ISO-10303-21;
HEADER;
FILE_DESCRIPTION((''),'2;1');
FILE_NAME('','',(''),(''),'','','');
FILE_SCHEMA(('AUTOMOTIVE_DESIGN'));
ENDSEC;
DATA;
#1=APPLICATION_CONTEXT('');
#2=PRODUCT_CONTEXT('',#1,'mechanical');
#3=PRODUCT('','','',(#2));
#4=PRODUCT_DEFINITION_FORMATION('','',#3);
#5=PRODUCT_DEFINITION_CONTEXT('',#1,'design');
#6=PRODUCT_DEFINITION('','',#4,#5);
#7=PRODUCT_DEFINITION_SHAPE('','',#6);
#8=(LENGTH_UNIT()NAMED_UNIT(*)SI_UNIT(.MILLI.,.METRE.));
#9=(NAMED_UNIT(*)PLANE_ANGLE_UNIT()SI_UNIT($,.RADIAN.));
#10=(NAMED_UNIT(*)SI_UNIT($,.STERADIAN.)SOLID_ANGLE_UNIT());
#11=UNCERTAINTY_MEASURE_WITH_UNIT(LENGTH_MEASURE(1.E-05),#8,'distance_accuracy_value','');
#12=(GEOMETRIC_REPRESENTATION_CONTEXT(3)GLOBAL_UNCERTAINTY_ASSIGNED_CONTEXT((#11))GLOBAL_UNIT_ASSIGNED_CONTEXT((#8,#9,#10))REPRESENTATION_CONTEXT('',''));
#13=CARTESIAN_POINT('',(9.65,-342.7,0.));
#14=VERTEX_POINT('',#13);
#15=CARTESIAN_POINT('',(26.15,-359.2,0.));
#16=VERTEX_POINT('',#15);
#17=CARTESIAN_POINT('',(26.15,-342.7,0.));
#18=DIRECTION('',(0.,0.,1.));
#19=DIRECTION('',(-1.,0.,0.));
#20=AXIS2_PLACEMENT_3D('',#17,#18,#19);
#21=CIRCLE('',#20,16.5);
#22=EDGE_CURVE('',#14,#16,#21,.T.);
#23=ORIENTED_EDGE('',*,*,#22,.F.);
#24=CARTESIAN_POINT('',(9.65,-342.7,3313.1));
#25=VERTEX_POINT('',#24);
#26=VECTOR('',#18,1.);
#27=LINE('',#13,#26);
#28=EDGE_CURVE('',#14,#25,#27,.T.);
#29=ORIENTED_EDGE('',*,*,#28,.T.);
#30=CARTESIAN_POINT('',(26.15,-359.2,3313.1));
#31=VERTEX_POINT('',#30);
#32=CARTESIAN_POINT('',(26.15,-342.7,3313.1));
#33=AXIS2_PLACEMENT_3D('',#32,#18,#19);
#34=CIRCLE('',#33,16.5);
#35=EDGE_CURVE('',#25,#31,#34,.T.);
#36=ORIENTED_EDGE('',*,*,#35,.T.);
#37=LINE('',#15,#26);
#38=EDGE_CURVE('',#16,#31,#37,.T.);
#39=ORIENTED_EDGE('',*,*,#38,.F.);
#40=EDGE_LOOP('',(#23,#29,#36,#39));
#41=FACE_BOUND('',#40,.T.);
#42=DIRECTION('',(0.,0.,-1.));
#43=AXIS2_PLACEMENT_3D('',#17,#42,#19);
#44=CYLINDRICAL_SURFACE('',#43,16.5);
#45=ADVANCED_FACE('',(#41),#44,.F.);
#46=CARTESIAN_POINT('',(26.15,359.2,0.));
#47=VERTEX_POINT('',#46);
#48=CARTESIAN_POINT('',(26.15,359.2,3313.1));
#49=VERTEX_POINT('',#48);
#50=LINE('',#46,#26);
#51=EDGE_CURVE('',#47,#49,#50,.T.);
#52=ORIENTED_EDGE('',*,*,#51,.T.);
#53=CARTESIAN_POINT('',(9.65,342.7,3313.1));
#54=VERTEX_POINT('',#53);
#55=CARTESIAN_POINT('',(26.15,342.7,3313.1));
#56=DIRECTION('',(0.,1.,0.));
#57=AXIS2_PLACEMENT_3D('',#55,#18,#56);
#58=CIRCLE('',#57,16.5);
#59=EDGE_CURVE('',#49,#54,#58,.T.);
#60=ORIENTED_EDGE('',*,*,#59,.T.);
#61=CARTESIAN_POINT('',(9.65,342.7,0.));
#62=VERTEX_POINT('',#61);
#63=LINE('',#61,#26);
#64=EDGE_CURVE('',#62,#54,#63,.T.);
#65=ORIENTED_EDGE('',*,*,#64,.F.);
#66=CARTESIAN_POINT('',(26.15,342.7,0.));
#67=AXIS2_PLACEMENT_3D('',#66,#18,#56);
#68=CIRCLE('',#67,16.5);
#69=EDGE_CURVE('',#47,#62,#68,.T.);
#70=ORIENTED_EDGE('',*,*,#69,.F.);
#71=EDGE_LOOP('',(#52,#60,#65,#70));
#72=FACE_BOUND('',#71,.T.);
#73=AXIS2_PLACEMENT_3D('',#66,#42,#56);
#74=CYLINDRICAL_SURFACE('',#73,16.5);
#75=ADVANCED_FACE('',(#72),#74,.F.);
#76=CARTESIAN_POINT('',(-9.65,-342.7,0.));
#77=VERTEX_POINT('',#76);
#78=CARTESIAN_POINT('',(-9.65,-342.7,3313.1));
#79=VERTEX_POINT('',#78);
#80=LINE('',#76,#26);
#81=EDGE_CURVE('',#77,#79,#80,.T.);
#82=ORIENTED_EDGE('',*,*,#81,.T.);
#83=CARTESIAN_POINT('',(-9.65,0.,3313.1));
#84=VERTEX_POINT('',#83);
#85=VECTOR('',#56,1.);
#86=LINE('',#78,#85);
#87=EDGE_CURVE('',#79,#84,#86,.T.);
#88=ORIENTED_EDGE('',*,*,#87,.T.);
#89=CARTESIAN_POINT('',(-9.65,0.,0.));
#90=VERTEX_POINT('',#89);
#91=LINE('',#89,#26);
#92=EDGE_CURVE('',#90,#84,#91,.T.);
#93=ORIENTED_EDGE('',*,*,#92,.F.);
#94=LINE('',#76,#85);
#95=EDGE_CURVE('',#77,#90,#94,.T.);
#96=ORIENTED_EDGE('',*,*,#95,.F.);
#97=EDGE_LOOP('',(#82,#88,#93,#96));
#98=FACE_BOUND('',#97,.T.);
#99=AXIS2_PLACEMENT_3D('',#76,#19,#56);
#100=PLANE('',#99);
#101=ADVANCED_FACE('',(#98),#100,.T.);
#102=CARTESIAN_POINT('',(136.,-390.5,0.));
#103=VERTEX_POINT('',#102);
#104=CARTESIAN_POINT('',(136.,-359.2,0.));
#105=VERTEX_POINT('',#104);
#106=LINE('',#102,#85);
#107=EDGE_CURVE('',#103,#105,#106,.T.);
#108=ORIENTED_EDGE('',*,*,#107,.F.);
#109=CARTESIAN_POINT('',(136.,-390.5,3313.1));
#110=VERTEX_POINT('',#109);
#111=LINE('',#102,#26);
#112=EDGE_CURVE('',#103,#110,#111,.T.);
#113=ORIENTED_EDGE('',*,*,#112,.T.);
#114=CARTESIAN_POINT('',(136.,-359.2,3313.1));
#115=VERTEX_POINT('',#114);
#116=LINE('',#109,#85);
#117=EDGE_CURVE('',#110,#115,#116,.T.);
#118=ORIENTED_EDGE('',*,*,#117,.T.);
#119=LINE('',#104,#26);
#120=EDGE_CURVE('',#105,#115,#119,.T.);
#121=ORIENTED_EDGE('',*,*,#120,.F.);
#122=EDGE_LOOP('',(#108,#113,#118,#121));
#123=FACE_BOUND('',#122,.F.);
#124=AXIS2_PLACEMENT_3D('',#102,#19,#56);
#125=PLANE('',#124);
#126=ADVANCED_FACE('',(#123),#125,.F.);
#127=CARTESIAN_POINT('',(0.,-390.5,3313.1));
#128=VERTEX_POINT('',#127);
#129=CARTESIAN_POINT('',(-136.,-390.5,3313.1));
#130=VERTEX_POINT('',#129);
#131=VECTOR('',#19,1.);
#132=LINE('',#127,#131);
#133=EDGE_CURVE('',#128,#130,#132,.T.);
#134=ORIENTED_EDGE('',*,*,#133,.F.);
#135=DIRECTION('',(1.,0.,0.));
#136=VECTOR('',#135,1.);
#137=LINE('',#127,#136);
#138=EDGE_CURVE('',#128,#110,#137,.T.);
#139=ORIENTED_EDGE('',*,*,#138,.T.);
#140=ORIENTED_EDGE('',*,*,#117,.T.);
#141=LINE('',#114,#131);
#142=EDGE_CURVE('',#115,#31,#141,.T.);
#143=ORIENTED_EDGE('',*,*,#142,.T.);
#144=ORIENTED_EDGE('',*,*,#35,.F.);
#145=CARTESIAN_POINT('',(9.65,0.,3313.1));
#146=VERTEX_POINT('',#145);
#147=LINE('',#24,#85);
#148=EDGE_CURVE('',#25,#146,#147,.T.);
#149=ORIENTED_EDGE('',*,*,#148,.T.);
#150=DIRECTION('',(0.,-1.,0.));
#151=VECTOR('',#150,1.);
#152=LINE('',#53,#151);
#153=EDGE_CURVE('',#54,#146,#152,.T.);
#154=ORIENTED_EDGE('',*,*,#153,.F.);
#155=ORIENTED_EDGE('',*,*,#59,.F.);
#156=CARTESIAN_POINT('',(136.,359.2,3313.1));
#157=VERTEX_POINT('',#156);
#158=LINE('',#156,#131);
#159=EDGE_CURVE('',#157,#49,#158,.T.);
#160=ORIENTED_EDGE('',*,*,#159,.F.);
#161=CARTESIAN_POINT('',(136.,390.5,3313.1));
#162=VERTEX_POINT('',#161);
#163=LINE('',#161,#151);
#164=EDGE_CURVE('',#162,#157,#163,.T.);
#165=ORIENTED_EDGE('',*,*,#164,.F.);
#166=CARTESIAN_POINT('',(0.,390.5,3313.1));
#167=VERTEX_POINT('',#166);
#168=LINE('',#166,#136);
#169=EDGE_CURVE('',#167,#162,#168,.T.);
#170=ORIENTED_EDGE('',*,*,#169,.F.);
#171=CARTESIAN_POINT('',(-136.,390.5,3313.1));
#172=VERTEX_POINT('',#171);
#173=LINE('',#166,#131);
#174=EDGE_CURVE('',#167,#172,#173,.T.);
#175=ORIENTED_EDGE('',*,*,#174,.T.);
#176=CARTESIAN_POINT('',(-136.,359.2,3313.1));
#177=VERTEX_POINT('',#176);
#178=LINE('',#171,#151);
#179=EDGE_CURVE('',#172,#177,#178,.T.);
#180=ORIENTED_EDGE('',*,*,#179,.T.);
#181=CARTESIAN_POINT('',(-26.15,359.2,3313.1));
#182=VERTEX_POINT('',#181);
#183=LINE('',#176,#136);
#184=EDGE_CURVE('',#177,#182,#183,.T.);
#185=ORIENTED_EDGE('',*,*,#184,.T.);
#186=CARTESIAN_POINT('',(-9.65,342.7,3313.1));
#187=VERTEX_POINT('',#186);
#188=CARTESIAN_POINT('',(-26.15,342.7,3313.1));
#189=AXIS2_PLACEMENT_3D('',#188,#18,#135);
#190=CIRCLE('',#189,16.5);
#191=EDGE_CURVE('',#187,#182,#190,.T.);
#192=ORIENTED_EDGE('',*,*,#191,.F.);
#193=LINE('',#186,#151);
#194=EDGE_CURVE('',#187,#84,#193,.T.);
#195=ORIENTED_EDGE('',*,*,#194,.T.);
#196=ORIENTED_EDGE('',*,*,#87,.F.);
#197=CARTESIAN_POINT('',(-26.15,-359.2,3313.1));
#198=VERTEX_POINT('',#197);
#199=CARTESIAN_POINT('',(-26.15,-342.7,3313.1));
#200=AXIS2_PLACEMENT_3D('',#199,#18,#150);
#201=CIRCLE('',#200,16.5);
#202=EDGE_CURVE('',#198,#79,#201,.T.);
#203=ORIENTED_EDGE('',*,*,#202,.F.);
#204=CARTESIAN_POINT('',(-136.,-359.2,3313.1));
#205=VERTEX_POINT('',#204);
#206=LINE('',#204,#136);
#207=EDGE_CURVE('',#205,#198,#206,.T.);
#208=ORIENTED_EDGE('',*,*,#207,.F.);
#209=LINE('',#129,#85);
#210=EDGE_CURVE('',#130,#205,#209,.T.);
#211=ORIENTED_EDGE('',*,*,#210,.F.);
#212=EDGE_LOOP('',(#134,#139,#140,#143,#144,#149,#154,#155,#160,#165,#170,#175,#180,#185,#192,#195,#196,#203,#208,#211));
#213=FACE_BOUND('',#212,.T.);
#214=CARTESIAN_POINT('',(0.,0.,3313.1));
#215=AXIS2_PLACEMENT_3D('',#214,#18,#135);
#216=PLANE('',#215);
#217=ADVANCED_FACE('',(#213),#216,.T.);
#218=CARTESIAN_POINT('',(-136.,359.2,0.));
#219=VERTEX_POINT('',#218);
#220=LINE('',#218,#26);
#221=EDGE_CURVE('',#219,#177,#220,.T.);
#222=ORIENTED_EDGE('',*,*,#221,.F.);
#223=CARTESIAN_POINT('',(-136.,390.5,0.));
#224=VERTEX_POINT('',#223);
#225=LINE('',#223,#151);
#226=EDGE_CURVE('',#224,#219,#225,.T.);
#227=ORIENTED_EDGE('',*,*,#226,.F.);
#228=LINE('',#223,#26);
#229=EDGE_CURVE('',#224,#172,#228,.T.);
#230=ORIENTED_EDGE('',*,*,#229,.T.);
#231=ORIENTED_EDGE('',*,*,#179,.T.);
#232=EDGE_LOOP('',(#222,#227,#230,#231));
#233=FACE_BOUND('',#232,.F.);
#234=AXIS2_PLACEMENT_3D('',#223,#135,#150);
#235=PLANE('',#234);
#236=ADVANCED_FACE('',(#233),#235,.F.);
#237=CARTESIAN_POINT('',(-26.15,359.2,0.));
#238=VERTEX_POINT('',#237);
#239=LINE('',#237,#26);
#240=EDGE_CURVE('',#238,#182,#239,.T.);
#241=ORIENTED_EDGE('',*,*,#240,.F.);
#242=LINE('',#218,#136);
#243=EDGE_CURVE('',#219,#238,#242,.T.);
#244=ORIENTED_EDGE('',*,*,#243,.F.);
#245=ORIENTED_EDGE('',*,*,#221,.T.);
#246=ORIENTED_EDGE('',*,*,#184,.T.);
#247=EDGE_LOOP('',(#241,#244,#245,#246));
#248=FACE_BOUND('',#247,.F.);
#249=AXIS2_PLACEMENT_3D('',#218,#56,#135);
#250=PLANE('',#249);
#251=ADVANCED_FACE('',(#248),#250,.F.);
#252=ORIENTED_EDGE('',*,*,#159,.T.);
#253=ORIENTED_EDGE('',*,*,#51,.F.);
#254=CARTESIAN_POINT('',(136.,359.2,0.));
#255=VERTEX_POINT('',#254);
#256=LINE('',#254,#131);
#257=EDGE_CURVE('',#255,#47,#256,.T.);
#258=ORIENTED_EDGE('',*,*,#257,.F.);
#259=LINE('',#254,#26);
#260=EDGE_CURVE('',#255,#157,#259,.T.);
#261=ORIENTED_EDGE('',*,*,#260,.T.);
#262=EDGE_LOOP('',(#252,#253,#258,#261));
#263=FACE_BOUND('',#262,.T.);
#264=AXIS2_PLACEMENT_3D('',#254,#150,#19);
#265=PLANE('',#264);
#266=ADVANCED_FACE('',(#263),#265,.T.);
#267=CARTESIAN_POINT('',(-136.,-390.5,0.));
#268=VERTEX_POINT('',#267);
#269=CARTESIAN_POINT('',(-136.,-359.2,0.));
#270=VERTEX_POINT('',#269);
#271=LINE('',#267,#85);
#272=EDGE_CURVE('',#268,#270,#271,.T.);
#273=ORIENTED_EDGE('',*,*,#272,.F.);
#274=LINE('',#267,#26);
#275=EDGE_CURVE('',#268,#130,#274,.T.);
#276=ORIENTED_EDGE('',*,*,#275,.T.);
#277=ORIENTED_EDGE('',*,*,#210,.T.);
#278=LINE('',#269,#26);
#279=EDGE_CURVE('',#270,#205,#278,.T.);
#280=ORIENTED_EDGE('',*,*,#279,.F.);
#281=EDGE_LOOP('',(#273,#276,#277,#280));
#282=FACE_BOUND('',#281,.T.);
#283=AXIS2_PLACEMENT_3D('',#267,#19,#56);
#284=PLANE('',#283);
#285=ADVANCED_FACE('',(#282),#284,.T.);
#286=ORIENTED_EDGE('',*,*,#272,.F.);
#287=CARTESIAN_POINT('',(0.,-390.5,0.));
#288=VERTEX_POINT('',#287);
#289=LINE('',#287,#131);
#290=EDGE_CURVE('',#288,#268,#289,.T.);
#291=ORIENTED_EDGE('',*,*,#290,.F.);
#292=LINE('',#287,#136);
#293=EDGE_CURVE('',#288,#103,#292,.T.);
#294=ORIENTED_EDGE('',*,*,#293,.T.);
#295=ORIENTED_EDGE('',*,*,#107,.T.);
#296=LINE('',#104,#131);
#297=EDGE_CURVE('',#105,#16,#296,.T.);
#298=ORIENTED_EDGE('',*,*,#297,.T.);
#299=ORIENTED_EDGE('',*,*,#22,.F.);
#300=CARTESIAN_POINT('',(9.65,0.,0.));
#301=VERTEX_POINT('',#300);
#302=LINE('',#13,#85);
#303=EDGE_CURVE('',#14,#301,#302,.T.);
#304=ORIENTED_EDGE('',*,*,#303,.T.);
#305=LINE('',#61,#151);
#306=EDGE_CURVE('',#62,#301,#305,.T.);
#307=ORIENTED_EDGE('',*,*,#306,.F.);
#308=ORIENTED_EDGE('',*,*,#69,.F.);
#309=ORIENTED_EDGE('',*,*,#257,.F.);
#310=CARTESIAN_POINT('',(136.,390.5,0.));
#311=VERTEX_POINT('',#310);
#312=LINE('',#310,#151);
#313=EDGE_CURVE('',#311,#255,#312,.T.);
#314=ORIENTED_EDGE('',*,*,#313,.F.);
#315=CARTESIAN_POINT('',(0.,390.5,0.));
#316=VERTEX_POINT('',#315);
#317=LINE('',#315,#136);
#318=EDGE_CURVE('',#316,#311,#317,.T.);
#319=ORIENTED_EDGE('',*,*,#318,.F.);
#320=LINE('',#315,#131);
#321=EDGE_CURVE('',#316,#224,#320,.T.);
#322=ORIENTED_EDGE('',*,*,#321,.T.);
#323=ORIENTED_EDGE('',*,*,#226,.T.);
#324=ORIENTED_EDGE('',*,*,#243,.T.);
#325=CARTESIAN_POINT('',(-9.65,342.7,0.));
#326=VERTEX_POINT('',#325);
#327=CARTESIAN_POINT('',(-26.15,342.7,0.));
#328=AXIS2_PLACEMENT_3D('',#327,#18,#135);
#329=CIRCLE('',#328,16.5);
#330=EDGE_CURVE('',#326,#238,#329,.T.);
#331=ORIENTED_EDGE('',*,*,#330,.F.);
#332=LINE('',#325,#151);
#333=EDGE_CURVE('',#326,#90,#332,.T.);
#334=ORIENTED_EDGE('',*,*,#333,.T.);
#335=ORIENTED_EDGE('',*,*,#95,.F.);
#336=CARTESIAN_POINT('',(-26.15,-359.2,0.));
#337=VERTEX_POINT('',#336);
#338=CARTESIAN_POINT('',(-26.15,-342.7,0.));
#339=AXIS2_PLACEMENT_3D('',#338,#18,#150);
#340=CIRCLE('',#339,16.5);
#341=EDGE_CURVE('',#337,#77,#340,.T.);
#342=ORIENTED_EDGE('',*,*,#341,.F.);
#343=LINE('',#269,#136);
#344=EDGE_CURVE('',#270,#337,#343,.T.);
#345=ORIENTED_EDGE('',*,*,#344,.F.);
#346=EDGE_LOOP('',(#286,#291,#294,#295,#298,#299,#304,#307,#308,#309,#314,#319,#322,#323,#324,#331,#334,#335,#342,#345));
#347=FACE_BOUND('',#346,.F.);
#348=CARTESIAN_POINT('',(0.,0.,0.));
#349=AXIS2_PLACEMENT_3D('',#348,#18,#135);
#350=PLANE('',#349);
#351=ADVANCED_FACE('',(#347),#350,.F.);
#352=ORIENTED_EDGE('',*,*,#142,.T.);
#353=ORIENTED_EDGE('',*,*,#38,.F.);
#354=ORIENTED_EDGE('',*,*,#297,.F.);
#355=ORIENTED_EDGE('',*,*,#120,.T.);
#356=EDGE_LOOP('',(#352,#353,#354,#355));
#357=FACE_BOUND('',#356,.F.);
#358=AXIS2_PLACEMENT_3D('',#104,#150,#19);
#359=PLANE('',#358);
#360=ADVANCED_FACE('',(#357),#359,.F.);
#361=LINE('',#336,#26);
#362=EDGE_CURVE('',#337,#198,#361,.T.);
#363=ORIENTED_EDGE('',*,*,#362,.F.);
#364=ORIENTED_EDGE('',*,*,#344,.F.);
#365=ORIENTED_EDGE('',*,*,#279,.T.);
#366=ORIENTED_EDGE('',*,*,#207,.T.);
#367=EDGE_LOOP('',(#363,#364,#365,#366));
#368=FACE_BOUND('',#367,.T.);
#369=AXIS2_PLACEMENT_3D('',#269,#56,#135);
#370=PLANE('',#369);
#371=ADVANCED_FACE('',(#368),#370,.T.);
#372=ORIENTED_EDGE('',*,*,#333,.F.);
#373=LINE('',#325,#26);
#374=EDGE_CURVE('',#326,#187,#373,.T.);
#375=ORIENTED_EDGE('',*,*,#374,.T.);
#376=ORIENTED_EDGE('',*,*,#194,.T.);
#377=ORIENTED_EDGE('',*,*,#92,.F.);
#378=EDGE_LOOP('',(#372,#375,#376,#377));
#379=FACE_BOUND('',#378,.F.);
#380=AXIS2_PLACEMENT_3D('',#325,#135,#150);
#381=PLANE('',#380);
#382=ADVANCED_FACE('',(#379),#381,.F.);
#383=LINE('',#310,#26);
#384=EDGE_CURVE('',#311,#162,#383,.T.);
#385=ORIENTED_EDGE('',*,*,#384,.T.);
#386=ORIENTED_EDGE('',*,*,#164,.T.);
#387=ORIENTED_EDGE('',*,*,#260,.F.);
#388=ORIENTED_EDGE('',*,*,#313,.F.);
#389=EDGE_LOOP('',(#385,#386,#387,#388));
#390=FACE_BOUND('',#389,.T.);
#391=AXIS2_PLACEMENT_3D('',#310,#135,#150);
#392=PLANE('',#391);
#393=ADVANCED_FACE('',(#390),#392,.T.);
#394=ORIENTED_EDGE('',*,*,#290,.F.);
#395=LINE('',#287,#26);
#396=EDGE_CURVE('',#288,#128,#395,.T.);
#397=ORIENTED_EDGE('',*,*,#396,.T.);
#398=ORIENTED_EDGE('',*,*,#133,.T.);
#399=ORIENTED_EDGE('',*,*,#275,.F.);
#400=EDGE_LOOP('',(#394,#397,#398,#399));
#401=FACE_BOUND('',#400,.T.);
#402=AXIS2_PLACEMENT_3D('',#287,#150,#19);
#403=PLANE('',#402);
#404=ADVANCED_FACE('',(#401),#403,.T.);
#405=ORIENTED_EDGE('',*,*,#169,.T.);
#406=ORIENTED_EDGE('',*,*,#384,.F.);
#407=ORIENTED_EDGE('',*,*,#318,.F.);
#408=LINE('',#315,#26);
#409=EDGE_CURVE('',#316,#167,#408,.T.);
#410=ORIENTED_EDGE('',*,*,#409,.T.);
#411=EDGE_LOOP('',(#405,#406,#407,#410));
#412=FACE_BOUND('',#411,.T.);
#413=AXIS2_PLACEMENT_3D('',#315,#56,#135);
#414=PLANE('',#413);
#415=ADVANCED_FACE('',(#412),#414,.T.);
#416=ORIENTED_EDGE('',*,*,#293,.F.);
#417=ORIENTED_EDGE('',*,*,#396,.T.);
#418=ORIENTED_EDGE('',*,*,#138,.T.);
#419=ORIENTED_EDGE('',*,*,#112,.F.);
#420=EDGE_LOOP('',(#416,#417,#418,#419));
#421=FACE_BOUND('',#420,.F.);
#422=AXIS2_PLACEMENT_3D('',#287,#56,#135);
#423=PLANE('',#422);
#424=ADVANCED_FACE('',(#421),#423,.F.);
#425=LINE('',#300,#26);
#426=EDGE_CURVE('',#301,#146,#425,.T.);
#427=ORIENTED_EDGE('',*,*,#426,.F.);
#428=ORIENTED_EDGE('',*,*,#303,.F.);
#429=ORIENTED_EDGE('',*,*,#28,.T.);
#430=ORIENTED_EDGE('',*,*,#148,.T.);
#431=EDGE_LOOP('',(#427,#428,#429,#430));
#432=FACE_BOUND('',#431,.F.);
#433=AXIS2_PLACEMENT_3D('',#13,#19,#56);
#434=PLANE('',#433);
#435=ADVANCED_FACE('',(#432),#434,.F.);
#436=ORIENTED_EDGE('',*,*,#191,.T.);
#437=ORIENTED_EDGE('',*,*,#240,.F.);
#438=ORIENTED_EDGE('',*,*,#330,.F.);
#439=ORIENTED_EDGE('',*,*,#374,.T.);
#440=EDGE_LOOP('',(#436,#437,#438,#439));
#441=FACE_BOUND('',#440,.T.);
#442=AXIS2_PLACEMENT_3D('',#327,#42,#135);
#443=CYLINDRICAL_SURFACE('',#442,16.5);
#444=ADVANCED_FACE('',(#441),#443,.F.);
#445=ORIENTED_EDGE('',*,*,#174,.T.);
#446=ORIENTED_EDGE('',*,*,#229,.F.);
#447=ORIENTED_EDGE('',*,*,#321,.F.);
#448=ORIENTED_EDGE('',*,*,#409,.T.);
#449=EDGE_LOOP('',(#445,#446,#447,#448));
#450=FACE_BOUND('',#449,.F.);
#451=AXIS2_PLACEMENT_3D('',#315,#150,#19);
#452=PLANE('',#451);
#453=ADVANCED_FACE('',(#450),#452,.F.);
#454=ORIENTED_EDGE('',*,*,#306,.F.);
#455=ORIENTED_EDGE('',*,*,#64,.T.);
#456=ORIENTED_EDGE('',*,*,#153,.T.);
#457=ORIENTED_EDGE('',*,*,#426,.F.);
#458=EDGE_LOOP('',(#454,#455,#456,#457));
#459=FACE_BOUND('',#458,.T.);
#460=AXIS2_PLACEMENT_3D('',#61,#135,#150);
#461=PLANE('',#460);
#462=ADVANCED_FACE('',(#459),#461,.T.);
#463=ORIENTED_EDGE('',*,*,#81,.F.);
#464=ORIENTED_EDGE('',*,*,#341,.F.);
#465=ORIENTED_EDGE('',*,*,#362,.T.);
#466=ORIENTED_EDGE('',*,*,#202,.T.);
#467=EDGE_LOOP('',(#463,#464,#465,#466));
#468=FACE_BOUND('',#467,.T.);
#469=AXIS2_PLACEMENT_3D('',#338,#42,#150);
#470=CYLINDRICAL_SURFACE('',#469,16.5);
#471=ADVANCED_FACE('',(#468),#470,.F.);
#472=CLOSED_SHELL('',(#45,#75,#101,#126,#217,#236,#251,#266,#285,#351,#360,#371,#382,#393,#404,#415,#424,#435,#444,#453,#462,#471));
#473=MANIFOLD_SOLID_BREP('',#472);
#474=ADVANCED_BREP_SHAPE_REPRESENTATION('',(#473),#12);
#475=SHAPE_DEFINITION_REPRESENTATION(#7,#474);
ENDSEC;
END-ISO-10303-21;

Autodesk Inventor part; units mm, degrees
ref_plane "YZ Plane" through (0, 0, 0) normal (1, 0, 0) x (0, 1, 0)
ref_plane "Start plane" through (0, 0, 0) normal (0, 0, 1) x (1, 0, 0)
ref_plane "End plane" through (0, 0, 3313.1) normal (0, 0, 1) x (1, 0, 0)
sketch "Sketch" plane through (0, 0, 0) normal (0, 0, 1) x (1, 0, 0)
  line L0 (-136, -390.5) -> (-136, -359.2)
  line L1 (-136, -359.2) -> (-26.15, -359.2)
  line L2 (-9.65, -342.7) -> (-9.65, 0)
  line L3 (-9.65, 0) -> (0, 0) construction
  line L4 (0, 0) -> (0, -390.5) construction
  line L5 (0, -390.5) -> (-136, -390.5)
  line L6 (-60, 0) -> (80, 0) construction
  line L7 (0, -60) -> (0, 80) construction
  line L8 (136, -390.5) -> (136, -359.2)
  line L9 (136, -359.2) -> (26.15, -359.2)
  line L10 (9.65, -342.7) -> (9.65, 0)
  line L11 (9.65, 0) -> (0, 0) construction
  line L12 (0, -390.5) -> (136, -390.5)
  line L13 (-136, 390.5) -> (-136, 359.2)
  line L14 (-136, 359.2) -> (-26.15, 359.2)
  line L15 (-9.65, 342.7) -> (-9.65, 0)
  line L16 (0, 390.5) -> (-136, 390.5)
  line L17 (136, 390.5) -> (136, 359.2)
  line L18 (136, 359.2) -> (26.15, 359.2)
  line L19 (0, 390.5) -> (136, 390.5)
  line L20 (9.65, 342.7) -> (9.65, 0)
  arc A0 (-9.65, 342.7) -> (-26.15, 359.2) centre (-26.15, 342.7) ccw
  arc A1 (26.15, 359.2) -> (9.65, 342.7) centre (26.15, 342.7) ccw
  arc A2 (9.65, -342.7) -> (26.15, -359.2) centre (26.15, -342.7) ccw
  arc A3 (-26.15, -359.2) -> (-9.65, -342.7) centre (-26.15, -342.7) ccw
  line L21 (0, 108) -> (0, -88) construction
  line L22 (-88, 0) -> (108, 0) construction
  point P0 (-9.65, -359.2)
  point P1 (9.65, -359.2)
  point P2 (-9.65, 359.2)
  point P3 (9.65, 359.2)
  dimension "d1" = 390.5
  dimension "d2" = 31.3
  dimension "d3" = 136
  dimension "d4" = 9.65
  dimension "d10" = 16.5
extrude "Body" add sketch "Sketch" along normal up to surface (3313.1 mm away) from surface at 0
sketch "Sketch4" plane through (0, 0, 0) normal (0, 0, 1) x (1, 0, 0)
  line L0 (0, 0) -> (10, 0)
ref_plane "Work Plane3" through (0, 0, 0) normal (0, -1, 0) x (1, 0, 0)
sketch "Sketch5" plane through (0, 0, 0) normal (0, -1, 0) x (1, 0, 0)
  line L0 (-2, 0) -> (12, 0) projected
  line L1 (-2, 3313.1) -> (12, 3313.1) projected
  dimension "d14" = 3313.1
equation "\"d1\" = 0.5 * G_H"
equation "\"d2\" = G_T1"
equation "\"d3\" = 0.5 * G_W"
equation "\"d4\" = 0.5 * G_T"
equation "\"d10\" = G_IR"
equation "\"d5\" = G_L"
equation "\"G_W\" = 272"
equation "\"G_H\" = 781"
equation "\"G_T\" = 19.3"
equation "\"G_T1\" = 31.3"
equation "\"G_IR\" = 16.5"
equation "\"G_L\" = d14"
equation "\"G_OFFSET_START\" = 0"
equation "\"G_OFFSET_END\" = 0"
equation "\"d12\" = G_OFFSET_END + B_L"
equation "\"B_L\" = 3313.1"
properties part number "AS 3679-1990 - 760 UB - 244 - 3313.1" material "Steel, Mild"
